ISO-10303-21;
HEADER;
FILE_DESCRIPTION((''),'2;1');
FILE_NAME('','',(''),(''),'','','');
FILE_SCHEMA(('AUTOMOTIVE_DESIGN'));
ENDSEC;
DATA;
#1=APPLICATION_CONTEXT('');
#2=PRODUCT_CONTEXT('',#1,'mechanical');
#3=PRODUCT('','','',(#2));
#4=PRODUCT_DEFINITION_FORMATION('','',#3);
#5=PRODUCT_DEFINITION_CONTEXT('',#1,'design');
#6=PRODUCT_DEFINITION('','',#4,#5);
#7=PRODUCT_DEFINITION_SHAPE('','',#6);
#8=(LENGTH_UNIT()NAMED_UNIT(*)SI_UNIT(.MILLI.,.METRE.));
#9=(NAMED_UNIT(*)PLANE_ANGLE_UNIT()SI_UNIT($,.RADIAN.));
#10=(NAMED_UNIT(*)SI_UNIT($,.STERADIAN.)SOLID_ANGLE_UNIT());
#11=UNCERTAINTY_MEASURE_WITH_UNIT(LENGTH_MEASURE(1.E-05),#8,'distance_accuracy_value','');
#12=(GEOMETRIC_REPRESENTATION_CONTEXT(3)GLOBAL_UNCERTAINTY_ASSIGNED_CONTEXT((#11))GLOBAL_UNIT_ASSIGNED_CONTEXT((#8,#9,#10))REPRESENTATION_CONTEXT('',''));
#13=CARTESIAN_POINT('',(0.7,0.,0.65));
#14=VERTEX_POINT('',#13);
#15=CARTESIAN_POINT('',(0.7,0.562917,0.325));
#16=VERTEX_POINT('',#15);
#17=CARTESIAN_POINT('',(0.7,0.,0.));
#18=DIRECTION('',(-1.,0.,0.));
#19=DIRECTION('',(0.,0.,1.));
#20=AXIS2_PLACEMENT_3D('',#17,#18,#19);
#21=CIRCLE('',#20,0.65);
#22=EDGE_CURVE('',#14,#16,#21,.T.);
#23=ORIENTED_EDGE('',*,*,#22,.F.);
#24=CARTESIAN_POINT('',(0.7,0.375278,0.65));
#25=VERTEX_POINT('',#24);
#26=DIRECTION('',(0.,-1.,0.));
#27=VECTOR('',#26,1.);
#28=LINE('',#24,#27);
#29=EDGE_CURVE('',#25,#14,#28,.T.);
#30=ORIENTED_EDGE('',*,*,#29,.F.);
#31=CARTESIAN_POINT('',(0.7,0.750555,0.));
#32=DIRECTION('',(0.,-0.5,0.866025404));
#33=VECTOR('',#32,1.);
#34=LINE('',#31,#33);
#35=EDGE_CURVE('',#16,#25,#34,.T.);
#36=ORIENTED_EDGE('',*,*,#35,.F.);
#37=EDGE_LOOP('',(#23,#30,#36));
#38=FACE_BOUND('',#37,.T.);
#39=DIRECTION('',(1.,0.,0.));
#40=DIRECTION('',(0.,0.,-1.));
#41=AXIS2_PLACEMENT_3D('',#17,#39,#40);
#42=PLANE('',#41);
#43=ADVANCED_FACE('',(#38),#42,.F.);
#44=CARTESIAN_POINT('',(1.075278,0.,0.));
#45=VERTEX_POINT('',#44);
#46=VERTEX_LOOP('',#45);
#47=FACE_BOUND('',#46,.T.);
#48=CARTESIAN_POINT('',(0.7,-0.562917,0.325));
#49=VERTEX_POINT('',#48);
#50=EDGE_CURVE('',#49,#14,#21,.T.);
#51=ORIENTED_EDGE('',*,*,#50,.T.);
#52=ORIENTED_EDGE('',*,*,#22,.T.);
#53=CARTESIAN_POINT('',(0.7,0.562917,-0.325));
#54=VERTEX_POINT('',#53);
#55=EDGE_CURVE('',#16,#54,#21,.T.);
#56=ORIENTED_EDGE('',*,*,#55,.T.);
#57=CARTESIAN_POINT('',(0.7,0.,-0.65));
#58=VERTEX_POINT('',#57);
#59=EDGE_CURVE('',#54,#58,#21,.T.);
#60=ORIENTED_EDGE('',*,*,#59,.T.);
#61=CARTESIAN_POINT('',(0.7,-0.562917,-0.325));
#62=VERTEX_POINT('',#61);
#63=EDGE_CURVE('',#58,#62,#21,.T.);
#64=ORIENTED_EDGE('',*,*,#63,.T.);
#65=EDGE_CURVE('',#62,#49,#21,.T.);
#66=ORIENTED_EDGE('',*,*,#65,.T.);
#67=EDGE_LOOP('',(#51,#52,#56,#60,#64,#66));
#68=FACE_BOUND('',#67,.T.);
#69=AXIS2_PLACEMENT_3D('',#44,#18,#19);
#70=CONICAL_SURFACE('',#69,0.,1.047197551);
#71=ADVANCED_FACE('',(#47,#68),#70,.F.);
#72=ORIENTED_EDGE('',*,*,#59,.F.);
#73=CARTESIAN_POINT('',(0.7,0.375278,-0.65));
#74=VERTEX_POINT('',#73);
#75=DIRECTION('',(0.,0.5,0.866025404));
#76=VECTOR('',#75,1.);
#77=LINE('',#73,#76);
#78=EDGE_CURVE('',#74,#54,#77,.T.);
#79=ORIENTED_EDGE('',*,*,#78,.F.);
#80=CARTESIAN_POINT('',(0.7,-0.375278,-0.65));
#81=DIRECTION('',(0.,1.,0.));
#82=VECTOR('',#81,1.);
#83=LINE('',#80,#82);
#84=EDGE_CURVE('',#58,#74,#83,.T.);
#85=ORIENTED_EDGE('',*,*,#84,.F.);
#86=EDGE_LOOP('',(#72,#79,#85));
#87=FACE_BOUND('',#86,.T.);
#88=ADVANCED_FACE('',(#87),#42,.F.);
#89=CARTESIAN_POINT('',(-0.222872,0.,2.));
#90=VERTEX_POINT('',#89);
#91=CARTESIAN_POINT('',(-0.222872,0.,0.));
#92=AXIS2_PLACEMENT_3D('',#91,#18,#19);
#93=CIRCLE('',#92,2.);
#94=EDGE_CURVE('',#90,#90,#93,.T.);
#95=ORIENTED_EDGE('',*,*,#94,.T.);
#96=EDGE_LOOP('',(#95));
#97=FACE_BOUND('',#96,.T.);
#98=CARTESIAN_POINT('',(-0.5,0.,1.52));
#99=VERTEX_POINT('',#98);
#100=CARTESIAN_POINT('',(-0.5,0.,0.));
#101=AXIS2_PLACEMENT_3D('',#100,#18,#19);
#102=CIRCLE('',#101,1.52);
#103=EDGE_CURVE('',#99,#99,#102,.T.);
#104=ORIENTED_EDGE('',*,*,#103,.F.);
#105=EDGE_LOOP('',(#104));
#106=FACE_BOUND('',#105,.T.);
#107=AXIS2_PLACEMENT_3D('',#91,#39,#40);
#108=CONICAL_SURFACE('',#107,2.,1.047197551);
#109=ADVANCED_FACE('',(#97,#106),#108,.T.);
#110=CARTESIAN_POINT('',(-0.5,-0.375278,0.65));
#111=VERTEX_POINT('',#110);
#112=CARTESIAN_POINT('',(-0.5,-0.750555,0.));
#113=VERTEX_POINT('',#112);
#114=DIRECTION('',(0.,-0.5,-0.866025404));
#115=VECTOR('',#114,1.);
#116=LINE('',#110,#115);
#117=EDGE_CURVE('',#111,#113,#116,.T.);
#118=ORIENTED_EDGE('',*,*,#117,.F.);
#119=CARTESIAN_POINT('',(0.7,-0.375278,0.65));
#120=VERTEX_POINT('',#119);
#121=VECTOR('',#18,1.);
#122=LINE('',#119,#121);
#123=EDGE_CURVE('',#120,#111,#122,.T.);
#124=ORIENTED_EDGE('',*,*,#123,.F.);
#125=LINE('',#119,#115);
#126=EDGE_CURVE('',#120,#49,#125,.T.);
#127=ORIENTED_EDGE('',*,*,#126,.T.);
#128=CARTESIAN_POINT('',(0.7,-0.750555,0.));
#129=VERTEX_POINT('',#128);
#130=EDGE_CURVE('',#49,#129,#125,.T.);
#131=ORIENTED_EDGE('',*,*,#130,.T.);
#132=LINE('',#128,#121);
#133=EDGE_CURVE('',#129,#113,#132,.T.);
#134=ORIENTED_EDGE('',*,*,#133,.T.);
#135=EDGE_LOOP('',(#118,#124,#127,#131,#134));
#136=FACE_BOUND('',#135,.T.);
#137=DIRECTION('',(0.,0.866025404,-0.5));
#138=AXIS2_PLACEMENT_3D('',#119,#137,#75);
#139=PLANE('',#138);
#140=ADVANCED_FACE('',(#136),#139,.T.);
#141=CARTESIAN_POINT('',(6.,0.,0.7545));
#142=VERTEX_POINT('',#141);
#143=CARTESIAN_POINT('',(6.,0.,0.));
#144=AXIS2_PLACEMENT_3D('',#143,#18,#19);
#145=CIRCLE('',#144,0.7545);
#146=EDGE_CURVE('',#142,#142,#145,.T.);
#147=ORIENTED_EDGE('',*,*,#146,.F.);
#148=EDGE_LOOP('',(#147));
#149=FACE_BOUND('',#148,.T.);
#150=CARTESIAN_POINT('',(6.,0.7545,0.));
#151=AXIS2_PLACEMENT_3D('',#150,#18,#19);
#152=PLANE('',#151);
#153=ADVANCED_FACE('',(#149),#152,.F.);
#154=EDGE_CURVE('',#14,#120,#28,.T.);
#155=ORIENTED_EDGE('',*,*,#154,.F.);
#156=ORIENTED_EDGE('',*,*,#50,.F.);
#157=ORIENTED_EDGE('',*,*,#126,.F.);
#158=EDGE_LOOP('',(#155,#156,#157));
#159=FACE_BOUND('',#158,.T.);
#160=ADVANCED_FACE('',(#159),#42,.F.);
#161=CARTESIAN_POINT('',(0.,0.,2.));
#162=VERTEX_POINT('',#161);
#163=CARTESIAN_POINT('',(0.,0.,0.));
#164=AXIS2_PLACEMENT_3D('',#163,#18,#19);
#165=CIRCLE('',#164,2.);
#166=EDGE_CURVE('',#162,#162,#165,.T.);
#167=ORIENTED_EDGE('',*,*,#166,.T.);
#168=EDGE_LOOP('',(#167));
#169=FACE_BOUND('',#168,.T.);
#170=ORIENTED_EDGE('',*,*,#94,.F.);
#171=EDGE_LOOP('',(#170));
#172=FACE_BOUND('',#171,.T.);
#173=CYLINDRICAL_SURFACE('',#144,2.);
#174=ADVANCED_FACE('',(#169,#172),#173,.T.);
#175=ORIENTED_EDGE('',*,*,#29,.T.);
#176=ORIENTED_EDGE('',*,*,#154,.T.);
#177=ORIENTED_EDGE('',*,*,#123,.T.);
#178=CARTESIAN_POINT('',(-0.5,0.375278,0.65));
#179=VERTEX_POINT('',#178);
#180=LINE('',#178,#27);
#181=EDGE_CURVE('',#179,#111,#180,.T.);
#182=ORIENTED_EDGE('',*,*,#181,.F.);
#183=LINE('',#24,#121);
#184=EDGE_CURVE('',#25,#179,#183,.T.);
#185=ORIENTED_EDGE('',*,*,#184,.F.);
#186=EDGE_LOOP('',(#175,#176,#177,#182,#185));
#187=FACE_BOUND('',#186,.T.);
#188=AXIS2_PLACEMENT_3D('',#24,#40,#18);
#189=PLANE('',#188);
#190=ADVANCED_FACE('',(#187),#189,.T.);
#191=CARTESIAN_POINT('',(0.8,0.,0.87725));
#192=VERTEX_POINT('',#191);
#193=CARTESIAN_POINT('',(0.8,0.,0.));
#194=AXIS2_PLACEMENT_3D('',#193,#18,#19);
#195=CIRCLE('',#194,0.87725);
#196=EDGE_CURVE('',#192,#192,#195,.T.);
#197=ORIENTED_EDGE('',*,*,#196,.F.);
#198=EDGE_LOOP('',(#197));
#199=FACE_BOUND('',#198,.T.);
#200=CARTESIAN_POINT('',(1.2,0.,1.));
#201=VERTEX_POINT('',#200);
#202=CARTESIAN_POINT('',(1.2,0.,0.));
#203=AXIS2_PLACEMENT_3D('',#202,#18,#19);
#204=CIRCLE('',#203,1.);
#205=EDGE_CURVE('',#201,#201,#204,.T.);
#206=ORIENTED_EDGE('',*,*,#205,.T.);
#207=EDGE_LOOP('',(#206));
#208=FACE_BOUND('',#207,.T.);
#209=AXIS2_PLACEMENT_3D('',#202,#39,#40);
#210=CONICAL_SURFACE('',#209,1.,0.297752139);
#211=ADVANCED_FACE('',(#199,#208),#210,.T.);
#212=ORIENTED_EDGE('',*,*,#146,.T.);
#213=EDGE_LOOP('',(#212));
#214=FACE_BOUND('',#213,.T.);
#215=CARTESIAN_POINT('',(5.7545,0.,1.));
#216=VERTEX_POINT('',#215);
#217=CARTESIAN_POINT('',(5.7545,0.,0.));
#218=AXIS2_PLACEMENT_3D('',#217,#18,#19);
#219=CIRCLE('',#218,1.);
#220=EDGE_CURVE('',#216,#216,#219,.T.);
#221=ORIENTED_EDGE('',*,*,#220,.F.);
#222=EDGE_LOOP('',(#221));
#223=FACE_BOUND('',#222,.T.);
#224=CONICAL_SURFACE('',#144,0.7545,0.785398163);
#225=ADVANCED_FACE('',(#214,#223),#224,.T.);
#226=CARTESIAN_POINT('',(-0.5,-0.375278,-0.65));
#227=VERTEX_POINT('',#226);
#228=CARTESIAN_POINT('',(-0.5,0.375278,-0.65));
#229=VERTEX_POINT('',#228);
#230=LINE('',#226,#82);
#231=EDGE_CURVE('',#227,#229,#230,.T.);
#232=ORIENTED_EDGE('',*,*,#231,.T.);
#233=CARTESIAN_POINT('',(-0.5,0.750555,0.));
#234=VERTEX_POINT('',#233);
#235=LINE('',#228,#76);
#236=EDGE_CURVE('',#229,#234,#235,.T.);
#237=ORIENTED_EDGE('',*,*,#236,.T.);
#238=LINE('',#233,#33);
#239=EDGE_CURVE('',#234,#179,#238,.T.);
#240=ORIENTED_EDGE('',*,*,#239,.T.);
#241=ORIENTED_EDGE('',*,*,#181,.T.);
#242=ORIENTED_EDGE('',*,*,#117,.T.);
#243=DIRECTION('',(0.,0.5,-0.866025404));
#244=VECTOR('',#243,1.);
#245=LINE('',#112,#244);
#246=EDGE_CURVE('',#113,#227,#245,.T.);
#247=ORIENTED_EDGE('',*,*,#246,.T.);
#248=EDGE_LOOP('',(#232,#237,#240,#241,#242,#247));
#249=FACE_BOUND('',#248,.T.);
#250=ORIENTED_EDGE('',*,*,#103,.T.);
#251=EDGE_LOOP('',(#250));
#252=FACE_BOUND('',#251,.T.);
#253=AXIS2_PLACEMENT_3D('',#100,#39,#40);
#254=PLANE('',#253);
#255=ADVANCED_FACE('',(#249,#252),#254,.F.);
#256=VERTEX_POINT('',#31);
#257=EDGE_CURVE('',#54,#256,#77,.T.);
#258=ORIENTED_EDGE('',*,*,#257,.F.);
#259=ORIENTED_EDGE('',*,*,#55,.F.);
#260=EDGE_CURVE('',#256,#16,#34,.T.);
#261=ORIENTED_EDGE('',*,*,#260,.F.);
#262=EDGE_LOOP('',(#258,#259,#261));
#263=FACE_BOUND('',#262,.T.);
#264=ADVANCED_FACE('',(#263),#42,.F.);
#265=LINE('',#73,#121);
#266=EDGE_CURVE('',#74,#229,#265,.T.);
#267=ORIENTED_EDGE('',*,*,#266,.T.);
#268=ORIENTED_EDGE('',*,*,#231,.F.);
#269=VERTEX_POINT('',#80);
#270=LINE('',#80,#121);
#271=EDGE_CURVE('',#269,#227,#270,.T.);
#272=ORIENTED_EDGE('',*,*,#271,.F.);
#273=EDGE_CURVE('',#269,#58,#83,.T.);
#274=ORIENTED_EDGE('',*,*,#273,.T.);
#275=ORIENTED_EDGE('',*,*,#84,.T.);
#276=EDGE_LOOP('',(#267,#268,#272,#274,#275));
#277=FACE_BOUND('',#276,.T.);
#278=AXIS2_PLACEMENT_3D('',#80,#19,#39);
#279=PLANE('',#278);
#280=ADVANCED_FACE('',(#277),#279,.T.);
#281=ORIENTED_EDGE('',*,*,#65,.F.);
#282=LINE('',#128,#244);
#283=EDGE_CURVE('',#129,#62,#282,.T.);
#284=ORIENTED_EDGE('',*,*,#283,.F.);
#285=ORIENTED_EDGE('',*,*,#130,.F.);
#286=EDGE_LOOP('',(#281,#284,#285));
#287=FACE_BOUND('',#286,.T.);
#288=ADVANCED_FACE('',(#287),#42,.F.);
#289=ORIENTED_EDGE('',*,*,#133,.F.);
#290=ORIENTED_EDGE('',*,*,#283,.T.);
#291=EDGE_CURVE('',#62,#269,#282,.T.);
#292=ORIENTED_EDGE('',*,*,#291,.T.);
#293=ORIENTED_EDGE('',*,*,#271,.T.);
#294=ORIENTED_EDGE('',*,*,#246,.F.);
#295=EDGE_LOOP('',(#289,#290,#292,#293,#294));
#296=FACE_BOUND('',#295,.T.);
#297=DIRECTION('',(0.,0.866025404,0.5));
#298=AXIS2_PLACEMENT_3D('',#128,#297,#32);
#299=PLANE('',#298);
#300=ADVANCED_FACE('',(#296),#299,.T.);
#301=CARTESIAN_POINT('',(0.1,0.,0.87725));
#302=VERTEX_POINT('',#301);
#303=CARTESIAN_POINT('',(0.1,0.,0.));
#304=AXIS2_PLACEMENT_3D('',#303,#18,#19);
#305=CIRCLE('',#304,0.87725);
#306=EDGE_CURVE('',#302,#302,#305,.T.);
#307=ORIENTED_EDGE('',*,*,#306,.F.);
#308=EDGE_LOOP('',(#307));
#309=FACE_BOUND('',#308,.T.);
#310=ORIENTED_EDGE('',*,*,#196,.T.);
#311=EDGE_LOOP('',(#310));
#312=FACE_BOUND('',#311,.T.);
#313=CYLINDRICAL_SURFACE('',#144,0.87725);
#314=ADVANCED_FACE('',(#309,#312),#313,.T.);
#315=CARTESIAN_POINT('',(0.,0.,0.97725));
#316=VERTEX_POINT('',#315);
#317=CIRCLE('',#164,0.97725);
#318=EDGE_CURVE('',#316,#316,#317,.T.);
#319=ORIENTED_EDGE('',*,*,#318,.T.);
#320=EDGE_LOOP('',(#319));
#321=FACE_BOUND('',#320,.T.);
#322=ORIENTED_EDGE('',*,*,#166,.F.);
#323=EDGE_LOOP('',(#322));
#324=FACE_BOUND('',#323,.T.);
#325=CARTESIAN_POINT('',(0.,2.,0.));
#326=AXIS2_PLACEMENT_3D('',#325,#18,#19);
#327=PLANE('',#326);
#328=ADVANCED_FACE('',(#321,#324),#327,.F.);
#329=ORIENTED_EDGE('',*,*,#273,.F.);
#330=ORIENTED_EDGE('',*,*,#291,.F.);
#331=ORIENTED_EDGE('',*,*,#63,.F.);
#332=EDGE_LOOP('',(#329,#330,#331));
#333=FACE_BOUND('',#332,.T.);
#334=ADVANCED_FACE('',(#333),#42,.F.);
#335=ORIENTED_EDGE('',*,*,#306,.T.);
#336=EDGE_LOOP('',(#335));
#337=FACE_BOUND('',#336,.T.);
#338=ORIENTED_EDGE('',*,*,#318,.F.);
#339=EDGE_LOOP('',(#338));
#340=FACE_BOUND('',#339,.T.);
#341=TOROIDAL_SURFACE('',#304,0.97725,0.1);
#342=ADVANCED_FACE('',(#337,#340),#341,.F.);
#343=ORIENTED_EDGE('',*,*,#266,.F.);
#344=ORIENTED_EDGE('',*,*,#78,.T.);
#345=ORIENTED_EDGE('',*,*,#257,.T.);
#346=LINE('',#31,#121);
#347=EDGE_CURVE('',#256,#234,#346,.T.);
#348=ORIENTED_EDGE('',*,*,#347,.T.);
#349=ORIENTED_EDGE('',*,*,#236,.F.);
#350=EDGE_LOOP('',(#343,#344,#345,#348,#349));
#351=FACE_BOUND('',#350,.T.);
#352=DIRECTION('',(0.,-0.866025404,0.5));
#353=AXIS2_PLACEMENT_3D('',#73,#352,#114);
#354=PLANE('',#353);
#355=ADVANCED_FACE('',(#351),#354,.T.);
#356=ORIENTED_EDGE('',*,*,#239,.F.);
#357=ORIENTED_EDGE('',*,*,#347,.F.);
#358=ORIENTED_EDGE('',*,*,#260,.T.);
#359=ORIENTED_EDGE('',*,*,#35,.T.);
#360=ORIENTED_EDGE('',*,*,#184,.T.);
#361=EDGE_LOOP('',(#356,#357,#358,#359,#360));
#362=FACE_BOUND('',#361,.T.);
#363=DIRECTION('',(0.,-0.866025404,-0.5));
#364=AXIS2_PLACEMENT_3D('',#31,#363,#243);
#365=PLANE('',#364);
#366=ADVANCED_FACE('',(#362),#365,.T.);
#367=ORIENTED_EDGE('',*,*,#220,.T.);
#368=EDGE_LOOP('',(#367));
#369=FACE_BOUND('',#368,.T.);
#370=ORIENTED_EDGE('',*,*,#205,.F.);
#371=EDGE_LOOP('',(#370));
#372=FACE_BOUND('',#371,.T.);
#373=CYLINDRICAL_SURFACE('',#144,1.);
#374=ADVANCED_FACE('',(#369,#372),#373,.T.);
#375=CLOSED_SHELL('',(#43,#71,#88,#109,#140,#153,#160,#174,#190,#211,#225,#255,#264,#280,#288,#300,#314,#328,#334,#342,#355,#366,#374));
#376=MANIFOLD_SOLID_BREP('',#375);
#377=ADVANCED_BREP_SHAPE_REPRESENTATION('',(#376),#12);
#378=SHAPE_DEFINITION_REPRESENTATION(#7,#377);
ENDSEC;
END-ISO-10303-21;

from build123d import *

# Parameters (mm, degrees)
CUT_EXTRUDE1_DEPTH = 1.2


with BuildPart() as part:
    # Sketch1 → Revolve1 (revolve)
    with BuildSketch(Plane.XY):
        with BuildLine():
            Line((-0.5, 0), (-0.5, 1.52))
            Line((-0.5, 1.52), (-0.222871871, 2))
            Line((-0.222871871, 2), (0, 2))
            Line((0, 2), (0, 0.97725))
            ThreePointArc((0, 0.97725), (0.029289322, 0.906539322), (0.1, 0.87725))
            Line((0.1, 0.87725), (0.8, 0.87725))
            Line((0.8, 0.87725), (1.2, 1))
            Line((1.2, 1), (5.7545, 1))
            Line((5.7545, 1), (6, 0.7545))
            Line((6, 0.7545), (6, 0))
            Line((6, 0), (-0.5, 0))
        make_face()
    revolve(axis=Axis((6, 0, 0), (-1, 0, 0)))

    # Sketch2 → Cut-Revolve1 (revolve, cut)
    with BuildSketch(Plane.XY):
        Polygon((-0.5, 0), (-0.5, 0.65), (0.7, 0.65), (1.075277675, 0), align=None)
    revolve(axis=Axis((1.075277675, 0, 0), (-1, 0, 0)), mode=Mode.SUBTRACT)

    # Sketch3 → Cut-Extrude1 (cut)
    with BuildSketch(Plane(origin=(-0.5, 0, 0), x_dir=(0, 0, -1), z_dir=(1, 0, 0))):
        Polygon((-0.65, -0.375277675), (0, -0.75055535), (0.65, -0.375277675), (0.65, 0.375277675), (0, 0.75055535), (-0.65, 0.375277675), align=None)
    extrude(amount=CUT_EXTRUDE1_DEPTH, mode=Mode.SUBTRACT)


solid = part.part
